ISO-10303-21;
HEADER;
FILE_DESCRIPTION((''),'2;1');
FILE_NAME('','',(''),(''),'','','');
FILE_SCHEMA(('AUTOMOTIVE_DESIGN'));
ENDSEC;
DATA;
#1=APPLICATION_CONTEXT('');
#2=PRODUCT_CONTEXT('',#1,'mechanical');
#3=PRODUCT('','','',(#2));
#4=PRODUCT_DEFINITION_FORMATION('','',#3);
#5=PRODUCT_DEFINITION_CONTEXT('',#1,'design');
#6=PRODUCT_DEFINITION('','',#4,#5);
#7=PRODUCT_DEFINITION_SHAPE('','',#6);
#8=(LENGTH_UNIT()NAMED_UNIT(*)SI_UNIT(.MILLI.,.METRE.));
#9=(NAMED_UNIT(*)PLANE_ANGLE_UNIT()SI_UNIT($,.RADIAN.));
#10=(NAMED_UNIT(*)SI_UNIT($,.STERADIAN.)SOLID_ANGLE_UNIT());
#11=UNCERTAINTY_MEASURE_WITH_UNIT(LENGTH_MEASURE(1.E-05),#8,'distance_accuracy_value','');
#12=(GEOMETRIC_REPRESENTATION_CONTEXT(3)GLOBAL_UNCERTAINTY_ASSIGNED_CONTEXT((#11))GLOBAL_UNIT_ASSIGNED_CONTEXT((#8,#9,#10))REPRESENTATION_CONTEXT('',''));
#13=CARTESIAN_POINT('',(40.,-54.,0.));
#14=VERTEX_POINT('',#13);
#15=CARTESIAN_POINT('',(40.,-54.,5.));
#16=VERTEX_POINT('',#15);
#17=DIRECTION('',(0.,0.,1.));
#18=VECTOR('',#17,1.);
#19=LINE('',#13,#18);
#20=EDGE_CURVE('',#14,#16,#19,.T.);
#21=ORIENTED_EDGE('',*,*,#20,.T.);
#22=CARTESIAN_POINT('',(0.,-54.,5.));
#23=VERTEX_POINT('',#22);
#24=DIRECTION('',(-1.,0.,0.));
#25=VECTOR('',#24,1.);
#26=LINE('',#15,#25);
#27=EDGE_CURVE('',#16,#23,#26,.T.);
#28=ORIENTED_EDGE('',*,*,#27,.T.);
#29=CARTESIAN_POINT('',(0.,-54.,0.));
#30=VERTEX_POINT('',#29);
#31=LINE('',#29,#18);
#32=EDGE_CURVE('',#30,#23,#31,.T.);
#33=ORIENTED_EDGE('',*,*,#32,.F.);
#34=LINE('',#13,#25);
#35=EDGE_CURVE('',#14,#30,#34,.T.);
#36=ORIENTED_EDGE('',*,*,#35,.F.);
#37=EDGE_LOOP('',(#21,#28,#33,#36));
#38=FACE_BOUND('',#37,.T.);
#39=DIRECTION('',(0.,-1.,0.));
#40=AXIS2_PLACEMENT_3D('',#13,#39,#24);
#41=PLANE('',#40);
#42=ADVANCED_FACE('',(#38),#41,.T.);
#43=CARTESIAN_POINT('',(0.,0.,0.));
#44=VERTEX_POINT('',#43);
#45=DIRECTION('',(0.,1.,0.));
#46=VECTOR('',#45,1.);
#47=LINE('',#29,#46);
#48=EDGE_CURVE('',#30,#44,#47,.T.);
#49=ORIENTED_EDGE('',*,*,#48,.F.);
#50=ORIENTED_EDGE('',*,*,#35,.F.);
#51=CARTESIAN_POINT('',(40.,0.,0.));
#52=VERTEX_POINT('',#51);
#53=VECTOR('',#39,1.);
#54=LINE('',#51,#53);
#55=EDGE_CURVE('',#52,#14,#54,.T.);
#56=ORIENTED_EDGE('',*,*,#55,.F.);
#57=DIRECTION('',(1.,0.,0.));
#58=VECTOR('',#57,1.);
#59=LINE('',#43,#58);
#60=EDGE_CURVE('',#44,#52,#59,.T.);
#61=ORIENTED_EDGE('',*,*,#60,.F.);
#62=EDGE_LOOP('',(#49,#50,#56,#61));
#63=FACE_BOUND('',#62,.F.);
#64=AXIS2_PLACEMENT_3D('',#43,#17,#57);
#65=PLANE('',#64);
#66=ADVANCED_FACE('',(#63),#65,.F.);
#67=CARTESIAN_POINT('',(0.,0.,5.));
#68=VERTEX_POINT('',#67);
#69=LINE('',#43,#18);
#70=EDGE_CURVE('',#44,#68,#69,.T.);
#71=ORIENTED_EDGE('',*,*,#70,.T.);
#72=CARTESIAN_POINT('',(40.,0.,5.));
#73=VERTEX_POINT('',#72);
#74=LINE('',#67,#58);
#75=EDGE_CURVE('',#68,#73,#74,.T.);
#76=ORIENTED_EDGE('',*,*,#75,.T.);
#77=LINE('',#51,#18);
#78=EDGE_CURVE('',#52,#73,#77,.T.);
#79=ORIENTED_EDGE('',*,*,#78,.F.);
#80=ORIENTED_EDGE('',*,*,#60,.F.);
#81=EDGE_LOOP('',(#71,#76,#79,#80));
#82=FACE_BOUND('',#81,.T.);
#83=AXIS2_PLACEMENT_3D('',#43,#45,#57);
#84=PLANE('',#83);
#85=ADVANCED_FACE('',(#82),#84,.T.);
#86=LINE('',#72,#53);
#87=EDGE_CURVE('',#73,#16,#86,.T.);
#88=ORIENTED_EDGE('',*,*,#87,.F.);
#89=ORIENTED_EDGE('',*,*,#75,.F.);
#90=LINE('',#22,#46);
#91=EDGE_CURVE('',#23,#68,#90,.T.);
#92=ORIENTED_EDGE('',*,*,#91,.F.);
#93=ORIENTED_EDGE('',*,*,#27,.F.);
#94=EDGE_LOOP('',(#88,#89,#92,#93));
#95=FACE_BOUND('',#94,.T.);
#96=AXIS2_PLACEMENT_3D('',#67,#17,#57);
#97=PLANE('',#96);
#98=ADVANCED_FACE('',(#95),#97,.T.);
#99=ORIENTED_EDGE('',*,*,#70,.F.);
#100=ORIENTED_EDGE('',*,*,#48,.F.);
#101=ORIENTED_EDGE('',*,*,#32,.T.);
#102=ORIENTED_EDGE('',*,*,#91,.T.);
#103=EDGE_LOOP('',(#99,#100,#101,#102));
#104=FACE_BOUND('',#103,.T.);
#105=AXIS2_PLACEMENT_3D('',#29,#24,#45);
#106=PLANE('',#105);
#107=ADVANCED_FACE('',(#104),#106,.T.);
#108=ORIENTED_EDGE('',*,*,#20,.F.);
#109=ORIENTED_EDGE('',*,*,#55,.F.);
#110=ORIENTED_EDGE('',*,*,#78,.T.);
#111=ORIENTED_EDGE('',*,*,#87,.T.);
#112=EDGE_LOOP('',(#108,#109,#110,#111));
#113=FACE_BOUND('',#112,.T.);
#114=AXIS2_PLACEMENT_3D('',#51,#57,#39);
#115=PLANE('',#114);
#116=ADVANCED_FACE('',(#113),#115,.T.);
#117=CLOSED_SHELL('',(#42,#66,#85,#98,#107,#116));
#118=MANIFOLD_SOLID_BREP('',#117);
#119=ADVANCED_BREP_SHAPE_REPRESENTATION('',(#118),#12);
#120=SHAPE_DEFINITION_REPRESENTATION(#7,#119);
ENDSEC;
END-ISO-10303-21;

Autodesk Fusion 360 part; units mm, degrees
sketch "Sketch1" plane through (0, 0, 0) normal (0, 0, 1) x (1, 0, 0)
  line L0 (0, 0) -> (40, 0)
  line L1 (40, 0) -> (40, -54)
  line L2 (40, -54) -> (0, -54)
  line L3 (0, -54) -> (0, 0)
  dimension "d7" = 40
  dimension "d8" = 54
extrude "Extrude1" add sketch "Sketch1" along normal blind 5
equation "perfboard_length = 34 mm"
equation "perfboard_width = 20 mm"
equation "width = perfboard_length + 2 * screw_radius * 2"
equation "length = perfboard_width + 2 * screw_radius * 2"
equation "height = 5 mm"
equation "d7 = length"
equation "d8 = width"
equation "d9 = height"
equation "extra = 100 mm"
equation "screw_radius = 5 mm"
